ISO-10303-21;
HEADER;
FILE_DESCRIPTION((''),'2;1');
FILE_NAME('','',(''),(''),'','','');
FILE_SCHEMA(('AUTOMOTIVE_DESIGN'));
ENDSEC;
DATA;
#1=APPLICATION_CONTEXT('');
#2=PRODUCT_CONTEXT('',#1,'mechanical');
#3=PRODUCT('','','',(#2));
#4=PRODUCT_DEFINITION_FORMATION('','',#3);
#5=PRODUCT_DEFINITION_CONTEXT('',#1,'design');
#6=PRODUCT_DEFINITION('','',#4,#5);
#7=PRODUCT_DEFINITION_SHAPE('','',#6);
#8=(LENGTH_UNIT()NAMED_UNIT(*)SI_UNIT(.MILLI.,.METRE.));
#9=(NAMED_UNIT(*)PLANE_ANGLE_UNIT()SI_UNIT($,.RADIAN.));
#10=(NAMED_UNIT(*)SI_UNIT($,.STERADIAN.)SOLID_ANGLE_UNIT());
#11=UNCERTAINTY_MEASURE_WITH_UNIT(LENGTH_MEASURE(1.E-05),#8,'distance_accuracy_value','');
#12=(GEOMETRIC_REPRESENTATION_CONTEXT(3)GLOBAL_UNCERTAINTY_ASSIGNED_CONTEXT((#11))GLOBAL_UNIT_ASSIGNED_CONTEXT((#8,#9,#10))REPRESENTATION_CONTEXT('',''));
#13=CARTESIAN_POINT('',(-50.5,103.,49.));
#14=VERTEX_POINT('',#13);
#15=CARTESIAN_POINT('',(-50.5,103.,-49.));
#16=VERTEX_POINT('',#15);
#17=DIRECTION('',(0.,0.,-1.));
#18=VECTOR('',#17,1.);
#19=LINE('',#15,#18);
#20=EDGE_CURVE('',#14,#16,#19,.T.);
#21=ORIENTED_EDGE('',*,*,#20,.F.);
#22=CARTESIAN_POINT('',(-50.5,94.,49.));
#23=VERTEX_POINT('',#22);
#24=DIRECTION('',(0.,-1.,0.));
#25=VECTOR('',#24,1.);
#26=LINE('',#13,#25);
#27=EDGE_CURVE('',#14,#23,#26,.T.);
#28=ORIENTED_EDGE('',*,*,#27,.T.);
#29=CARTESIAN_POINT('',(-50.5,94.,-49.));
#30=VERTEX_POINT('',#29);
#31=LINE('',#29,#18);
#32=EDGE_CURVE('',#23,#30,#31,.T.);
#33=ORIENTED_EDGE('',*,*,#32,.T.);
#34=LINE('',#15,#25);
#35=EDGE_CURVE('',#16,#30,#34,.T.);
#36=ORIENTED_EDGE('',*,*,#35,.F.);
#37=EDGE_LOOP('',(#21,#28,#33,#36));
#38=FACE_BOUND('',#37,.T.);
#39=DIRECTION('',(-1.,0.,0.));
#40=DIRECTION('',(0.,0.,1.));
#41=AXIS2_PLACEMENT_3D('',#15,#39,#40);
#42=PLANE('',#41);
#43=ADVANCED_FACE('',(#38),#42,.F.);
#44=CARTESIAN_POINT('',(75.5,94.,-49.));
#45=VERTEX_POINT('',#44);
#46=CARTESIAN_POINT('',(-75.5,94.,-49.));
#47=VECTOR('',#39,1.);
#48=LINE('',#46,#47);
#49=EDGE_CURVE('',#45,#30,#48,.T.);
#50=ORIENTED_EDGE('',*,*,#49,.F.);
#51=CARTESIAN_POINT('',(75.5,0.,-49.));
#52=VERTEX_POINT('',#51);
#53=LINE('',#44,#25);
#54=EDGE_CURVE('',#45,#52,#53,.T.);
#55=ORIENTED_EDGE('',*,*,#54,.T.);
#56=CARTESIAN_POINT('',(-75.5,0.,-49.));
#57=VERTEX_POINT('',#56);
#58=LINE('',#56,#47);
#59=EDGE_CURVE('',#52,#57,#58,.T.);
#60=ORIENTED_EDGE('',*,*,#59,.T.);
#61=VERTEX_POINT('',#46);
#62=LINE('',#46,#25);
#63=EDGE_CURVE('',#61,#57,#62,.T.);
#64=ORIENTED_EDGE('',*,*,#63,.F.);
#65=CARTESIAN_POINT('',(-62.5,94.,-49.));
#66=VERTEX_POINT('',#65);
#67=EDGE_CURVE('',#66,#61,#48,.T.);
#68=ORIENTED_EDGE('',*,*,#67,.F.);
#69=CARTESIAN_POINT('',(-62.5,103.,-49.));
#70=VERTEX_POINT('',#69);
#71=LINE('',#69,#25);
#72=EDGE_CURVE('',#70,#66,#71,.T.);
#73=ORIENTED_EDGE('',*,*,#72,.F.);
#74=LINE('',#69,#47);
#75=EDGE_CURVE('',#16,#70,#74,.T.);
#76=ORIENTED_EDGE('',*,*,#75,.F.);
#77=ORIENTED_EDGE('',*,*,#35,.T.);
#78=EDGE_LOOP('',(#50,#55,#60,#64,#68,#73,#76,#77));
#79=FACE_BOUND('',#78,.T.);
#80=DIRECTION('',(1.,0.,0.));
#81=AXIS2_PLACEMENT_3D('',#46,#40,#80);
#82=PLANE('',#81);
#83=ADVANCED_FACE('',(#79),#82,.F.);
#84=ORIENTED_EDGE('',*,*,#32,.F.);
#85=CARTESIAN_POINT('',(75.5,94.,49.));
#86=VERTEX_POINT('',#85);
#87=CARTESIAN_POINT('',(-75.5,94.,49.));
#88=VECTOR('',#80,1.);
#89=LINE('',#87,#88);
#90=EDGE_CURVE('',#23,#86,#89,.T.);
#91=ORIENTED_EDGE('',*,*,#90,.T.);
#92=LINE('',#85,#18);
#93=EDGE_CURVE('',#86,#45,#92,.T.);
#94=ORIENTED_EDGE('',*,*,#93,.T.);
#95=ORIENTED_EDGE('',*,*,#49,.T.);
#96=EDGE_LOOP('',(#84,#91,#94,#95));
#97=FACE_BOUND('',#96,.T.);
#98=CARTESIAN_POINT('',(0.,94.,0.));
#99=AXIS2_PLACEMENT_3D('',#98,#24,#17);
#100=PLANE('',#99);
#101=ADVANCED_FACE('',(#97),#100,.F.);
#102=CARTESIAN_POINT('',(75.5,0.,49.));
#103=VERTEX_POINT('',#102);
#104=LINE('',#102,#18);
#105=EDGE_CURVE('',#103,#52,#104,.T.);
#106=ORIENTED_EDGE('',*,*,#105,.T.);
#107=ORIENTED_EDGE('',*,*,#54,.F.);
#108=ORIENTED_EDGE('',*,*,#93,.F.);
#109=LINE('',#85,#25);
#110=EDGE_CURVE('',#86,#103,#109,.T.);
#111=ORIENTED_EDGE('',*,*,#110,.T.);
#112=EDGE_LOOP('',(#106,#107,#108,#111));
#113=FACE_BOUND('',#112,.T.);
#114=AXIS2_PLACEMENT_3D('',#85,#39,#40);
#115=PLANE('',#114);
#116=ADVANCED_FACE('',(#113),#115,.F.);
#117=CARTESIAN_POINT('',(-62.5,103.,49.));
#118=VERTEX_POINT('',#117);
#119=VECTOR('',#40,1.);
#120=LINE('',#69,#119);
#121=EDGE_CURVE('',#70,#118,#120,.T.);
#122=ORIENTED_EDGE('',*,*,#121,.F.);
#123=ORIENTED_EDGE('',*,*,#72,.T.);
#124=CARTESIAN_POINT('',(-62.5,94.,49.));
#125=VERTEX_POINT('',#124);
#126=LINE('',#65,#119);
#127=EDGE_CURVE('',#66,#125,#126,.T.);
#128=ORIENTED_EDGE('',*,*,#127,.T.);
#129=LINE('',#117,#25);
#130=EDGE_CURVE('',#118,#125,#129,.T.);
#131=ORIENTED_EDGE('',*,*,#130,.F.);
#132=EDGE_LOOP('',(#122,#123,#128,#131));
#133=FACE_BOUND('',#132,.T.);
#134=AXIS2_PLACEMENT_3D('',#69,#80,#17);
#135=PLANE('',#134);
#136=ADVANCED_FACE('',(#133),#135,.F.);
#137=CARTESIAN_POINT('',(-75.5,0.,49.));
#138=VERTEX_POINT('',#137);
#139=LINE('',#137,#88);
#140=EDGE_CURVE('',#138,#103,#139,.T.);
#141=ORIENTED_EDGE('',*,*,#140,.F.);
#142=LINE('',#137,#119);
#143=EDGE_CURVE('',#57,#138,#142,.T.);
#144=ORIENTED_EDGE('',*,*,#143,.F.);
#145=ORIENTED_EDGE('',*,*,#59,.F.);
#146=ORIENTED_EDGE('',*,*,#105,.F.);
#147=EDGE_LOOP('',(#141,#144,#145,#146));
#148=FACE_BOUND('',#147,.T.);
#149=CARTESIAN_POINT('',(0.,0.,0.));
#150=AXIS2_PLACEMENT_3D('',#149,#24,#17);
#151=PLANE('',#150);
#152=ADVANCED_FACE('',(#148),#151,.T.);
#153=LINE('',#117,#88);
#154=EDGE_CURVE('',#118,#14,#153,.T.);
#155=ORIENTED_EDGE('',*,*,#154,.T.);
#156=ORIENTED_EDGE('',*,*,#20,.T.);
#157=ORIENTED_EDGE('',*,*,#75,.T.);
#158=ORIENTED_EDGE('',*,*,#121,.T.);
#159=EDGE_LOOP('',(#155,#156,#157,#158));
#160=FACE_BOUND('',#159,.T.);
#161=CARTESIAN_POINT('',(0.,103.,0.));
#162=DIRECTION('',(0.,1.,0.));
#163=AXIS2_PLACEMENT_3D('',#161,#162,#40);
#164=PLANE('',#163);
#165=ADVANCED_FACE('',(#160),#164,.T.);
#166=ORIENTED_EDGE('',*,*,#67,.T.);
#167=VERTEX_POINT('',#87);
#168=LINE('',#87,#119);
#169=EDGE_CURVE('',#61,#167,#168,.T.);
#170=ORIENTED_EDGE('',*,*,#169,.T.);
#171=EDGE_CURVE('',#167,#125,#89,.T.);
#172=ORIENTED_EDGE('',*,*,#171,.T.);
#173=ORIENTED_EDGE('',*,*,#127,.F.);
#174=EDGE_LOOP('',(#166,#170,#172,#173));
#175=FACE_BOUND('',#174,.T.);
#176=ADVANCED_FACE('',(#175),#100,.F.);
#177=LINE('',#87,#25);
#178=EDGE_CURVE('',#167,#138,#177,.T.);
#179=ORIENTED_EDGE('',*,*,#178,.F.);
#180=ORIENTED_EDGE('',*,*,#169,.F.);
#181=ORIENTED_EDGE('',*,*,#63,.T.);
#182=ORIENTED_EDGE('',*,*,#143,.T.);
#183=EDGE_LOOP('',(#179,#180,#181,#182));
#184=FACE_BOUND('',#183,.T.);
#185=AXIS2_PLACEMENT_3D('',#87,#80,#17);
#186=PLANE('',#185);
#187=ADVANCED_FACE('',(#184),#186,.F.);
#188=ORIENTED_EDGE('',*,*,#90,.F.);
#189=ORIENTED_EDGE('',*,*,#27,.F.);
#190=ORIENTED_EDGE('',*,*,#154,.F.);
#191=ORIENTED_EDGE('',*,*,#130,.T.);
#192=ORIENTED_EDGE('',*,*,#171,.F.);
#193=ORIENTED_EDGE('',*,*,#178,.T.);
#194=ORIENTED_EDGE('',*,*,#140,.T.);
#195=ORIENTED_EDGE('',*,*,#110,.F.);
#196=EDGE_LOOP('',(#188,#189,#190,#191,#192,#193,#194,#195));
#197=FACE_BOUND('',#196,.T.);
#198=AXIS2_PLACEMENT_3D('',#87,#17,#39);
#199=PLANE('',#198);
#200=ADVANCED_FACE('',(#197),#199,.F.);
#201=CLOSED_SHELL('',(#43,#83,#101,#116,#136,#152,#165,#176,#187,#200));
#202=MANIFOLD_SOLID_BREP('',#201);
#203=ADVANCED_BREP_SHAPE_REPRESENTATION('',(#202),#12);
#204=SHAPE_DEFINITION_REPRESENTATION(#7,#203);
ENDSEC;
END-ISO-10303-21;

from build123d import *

# Parameters (mm, degrees)
SKETCH_1_W      = 151
SKETCH_1_H      = 98
EXTRUDE_1_DEPTH = 94
SKETCH_2_W      = 12
SKETCH_2_H      = 98
EXTRUDE_2_DEPTH = 9


with BuildPart() as part:
    # Эскиз1 → Бобышка-Вытянуть1 (new body)
    with BuildSketch(Plane(origin=(0, 0, 0), x_dir=(1, 0, 0), z_dir=(0, 1, 0))):
        Rectangle(SKETCH_1_W, SKETCH_1_H)
    extrude(amount=EXTRUDE_1_DEPTH)

    # Эскиз2 → Бобышка-Вытянуть2 (add)
    with BuildSketch(Plane(origin=(0, 94, 0), x_dir=(1, 0, 0), z_dir=(0, 1, 0))):
        with Locations((-56.5, 0)):
            Rectangle(SKETCH_2_W, SKETCH_2_H)
    extrude(amount=EXTRUDE_2_DEPTH)


solid = part.part
